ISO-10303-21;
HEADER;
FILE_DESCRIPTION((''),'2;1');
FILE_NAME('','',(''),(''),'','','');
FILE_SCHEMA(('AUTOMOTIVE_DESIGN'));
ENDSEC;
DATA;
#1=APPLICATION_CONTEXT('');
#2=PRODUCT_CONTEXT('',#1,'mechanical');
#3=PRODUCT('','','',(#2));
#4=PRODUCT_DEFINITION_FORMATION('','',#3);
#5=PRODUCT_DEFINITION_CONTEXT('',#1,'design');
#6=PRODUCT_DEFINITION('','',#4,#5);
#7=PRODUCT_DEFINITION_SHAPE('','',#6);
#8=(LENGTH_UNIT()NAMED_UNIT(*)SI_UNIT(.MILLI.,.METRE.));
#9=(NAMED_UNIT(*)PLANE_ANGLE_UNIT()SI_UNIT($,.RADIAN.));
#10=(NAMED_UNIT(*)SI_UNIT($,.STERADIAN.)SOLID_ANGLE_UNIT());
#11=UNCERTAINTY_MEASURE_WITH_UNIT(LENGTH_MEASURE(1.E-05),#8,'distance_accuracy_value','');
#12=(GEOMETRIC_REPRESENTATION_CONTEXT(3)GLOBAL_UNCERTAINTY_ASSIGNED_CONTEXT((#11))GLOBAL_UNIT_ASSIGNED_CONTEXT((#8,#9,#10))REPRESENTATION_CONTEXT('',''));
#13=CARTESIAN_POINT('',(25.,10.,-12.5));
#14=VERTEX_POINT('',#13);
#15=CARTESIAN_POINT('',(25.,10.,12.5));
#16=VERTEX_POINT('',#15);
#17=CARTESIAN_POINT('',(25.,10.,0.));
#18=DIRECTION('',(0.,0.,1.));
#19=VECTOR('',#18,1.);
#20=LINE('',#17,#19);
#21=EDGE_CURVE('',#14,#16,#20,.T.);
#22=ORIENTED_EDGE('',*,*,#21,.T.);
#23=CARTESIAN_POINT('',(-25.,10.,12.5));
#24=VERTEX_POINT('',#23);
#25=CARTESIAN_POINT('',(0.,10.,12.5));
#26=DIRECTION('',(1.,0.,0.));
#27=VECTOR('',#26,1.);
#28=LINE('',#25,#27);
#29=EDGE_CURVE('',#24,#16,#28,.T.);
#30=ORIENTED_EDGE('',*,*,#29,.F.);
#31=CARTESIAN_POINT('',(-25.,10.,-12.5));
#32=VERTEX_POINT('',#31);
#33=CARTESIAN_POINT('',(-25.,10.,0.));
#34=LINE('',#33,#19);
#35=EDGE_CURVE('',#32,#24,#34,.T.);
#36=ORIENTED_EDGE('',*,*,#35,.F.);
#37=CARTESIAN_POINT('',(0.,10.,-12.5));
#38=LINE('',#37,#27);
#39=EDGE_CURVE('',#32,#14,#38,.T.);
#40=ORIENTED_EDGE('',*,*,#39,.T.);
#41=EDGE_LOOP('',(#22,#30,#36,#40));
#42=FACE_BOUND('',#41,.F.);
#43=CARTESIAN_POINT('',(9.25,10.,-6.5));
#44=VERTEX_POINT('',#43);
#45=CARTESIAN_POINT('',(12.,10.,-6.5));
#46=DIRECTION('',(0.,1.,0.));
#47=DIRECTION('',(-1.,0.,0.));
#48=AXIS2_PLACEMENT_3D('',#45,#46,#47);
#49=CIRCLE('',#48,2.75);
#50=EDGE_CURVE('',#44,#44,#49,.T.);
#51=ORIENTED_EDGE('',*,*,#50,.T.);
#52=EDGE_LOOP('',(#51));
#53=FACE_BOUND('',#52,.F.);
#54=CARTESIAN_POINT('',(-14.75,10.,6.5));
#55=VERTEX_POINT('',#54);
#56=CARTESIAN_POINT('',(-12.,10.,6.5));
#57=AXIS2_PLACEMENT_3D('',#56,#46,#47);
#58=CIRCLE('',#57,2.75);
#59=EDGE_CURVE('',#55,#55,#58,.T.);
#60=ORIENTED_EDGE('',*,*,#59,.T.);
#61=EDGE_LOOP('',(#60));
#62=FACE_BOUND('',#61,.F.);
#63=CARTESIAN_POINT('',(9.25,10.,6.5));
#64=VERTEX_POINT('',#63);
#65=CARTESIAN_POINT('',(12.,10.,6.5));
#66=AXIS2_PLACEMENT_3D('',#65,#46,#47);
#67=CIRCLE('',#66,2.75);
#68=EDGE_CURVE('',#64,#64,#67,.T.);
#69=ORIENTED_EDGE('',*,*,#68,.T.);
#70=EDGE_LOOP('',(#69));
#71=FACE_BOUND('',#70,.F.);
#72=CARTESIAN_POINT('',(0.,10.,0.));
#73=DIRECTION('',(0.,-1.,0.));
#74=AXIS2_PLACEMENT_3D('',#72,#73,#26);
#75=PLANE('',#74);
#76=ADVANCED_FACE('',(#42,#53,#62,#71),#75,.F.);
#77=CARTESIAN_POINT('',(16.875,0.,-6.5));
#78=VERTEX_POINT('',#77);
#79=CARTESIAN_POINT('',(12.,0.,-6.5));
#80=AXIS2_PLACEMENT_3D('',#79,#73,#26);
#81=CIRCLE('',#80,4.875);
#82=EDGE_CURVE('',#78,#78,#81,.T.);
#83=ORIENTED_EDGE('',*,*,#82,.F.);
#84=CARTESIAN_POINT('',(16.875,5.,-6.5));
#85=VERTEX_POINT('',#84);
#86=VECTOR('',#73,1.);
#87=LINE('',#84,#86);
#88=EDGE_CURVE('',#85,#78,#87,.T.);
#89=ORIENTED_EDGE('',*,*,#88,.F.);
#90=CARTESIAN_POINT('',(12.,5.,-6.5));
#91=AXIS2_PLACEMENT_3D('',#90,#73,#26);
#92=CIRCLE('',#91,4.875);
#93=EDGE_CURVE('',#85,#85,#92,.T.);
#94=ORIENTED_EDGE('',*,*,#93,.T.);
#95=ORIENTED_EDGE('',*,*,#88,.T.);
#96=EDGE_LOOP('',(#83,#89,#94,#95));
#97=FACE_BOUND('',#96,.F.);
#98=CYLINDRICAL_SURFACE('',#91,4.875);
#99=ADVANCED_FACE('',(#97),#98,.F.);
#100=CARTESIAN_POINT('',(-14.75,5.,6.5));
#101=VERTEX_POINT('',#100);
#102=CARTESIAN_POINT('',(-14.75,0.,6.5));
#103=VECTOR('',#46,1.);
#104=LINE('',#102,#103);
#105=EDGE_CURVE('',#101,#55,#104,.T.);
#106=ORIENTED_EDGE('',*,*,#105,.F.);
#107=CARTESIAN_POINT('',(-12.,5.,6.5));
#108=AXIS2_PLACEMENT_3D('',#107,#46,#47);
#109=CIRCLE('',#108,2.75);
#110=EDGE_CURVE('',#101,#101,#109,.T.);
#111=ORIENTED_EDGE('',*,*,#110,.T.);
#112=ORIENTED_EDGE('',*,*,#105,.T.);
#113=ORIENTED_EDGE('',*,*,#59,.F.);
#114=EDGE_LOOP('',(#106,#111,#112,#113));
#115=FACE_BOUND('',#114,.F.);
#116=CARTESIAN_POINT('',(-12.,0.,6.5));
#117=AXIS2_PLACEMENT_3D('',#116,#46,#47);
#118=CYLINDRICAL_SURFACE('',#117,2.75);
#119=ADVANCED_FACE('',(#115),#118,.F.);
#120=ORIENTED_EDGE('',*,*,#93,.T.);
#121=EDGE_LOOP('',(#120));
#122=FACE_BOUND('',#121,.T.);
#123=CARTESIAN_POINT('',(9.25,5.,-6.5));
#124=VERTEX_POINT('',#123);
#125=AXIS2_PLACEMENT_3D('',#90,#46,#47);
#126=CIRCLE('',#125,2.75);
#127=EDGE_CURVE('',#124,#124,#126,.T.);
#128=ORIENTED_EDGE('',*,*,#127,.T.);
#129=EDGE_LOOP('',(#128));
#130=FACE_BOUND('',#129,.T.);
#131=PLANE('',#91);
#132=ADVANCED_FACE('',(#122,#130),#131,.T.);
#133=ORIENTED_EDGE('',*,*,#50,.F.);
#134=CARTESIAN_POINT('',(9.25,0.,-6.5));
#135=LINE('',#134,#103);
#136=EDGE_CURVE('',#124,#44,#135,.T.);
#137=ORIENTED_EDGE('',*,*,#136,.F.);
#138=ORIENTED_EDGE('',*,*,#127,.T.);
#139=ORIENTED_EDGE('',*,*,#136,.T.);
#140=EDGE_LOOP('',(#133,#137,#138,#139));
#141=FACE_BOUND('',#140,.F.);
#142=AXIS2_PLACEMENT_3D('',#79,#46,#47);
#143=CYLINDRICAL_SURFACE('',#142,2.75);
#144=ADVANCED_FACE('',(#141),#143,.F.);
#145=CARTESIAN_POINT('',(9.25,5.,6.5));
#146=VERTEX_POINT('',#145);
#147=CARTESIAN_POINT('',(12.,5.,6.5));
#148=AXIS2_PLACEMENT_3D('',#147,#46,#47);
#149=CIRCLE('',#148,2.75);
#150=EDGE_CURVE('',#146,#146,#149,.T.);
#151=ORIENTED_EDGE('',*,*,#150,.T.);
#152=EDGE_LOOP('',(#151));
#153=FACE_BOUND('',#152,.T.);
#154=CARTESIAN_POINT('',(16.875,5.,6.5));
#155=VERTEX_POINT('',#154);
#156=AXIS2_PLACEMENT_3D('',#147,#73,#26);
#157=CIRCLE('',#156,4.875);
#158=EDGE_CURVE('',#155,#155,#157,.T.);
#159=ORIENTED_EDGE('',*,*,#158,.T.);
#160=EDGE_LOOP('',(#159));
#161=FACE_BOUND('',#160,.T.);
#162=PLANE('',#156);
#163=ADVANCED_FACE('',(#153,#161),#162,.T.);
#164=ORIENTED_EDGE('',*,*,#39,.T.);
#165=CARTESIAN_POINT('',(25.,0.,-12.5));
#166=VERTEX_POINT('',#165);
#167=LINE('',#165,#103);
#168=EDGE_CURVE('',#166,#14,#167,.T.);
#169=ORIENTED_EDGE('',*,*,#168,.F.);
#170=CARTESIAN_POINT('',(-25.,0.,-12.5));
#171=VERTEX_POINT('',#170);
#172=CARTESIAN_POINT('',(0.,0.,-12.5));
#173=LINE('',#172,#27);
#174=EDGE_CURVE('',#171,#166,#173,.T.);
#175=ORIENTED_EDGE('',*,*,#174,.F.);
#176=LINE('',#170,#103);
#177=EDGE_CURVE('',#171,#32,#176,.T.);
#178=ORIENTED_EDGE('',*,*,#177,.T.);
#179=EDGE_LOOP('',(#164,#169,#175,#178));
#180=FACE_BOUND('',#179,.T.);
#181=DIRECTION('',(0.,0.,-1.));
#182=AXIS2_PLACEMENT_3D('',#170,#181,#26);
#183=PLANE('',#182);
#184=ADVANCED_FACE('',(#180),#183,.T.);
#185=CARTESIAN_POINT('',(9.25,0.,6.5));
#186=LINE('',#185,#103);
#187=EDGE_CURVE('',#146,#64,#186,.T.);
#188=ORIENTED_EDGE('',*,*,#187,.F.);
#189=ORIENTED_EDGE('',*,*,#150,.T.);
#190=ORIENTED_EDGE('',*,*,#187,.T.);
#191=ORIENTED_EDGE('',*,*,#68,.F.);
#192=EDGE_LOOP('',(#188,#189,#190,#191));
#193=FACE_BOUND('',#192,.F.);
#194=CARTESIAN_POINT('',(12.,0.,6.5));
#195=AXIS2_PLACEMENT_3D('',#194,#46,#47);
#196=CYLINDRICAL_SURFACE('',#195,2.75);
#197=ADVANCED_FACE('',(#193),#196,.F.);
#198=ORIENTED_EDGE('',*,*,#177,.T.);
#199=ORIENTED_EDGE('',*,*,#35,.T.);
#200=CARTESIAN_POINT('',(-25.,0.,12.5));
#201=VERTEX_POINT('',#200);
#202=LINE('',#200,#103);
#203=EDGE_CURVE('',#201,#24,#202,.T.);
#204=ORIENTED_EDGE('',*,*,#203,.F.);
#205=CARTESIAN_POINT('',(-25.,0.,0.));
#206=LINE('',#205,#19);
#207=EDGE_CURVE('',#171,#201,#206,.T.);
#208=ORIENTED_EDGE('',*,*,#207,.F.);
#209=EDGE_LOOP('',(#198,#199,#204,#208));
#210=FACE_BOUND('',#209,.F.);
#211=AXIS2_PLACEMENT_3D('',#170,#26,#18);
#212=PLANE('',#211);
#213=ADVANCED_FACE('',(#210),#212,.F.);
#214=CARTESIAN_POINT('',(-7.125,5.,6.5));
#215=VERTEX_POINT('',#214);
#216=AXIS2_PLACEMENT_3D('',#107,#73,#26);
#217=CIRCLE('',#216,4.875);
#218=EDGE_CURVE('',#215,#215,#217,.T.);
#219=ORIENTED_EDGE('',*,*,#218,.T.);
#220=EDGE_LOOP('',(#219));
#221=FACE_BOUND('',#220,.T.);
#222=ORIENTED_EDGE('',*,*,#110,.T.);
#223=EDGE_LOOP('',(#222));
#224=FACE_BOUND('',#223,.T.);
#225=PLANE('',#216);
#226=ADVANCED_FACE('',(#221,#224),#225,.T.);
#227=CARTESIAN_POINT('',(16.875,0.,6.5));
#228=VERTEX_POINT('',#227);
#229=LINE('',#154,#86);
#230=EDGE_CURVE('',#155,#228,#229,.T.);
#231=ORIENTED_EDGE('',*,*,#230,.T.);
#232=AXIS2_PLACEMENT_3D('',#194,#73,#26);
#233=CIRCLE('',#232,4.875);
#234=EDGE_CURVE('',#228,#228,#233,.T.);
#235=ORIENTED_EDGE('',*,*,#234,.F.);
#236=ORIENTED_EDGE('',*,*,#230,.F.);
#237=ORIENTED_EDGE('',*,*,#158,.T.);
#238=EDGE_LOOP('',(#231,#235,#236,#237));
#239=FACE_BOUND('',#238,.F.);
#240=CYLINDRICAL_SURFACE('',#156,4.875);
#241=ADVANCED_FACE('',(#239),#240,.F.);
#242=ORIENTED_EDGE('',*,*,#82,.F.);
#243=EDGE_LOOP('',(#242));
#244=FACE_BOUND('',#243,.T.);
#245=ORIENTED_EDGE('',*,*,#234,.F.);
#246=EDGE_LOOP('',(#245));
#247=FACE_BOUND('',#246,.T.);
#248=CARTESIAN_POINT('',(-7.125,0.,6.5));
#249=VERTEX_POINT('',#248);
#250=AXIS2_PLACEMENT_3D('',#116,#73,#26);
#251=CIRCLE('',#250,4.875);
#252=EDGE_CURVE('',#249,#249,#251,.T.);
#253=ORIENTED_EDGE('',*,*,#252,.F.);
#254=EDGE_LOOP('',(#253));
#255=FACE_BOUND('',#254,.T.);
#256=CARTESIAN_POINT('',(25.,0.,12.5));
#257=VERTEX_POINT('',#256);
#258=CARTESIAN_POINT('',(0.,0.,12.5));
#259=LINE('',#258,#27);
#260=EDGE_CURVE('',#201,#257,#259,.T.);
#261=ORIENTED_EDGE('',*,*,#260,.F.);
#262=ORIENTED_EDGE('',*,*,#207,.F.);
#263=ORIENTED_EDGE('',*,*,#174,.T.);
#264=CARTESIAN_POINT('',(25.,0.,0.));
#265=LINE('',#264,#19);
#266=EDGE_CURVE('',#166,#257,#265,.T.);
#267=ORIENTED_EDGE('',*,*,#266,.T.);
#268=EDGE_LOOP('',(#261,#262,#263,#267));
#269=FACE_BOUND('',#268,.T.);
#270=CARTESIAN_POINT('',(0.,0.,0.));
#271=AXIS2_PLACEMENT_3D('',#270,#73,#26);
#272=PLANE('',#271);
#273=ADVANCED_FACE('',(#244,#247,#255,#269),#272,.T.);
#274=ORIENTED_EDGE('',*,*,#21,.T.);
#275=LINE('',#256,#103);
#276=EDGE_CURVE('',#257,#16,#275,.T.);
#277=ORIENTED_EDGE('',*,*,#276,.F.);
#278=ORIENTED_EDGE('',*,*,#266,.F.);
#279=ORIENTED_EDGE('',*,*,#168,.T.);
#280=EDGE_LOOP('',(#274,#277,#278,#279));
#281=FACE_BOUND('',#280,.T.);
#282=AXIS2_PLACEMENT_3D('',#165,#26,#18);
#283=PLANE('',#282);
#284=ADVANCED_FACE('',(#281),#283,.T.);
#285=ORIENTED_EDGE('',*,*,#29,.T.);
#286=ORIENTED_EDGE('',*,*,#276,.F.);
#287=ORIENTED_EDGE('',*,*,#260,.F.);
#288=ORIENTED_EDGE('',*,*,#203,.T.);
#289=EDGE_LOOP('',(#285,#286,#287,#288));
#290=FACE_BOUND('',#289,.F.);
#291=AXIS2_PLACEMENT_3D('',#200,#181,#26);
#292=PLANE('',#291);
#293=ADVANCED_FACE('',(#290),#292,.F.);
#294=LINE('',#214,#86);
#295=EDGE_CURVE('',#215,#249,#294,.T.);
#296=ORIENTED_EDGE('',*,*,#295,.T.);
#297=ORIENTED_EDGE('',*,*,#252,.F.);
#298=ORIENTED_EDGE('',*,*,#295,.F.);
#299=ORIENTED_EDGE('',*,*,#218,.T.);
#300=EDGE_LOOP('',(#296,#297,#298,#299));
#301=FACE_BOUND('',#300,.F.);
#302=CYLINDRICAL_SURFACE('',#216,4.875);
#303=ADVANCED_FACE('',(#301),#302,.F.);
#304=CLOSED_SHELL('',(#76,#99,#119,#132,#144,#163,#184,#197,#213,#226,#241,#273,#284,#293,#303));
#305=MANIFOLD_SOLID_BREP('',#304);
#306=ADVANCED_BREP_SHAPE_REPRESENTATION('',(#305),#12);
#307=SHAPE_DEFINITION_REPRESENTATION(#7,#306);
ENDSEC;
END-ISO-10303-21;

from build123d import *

# Parameters (mm, degrees)
F0_W           = 50
F0_H           = 25
F1_DEPTH       = 10
F2_D           = 5.5
F2_DEPTH       = 14
F2_CBORE_D     = 9.75
F2_CBORE_DEPTH = 5
F2_TIP         = 1.6523667023


with BuildPart() as f1:
    # F0 (on Front) → F1 (new body)
    with BuildSketch(Plane.XZ):
        Rectangle(F0_W, F0_H)
    extrude(amount=-F1_DEPTH)

    # F2
    with Locations(Plane.XZ):
        with Locations((-12, 6.5), (12, 6.5), (12, -6.5)):
            CounterBoreHole(F2_D / 2, F2_CBORE_D / 2, F2_CBORE_DEPTH, depth=F2_DEPTH)
            with Locations((0, 0, -(F2_DEPTH + F2_TIP / 2))):  # 118° drill point
                Cone(0, F2_D / 2, F2_TIP, mode=Mode.SUBTRACT)


solid = f1.part
